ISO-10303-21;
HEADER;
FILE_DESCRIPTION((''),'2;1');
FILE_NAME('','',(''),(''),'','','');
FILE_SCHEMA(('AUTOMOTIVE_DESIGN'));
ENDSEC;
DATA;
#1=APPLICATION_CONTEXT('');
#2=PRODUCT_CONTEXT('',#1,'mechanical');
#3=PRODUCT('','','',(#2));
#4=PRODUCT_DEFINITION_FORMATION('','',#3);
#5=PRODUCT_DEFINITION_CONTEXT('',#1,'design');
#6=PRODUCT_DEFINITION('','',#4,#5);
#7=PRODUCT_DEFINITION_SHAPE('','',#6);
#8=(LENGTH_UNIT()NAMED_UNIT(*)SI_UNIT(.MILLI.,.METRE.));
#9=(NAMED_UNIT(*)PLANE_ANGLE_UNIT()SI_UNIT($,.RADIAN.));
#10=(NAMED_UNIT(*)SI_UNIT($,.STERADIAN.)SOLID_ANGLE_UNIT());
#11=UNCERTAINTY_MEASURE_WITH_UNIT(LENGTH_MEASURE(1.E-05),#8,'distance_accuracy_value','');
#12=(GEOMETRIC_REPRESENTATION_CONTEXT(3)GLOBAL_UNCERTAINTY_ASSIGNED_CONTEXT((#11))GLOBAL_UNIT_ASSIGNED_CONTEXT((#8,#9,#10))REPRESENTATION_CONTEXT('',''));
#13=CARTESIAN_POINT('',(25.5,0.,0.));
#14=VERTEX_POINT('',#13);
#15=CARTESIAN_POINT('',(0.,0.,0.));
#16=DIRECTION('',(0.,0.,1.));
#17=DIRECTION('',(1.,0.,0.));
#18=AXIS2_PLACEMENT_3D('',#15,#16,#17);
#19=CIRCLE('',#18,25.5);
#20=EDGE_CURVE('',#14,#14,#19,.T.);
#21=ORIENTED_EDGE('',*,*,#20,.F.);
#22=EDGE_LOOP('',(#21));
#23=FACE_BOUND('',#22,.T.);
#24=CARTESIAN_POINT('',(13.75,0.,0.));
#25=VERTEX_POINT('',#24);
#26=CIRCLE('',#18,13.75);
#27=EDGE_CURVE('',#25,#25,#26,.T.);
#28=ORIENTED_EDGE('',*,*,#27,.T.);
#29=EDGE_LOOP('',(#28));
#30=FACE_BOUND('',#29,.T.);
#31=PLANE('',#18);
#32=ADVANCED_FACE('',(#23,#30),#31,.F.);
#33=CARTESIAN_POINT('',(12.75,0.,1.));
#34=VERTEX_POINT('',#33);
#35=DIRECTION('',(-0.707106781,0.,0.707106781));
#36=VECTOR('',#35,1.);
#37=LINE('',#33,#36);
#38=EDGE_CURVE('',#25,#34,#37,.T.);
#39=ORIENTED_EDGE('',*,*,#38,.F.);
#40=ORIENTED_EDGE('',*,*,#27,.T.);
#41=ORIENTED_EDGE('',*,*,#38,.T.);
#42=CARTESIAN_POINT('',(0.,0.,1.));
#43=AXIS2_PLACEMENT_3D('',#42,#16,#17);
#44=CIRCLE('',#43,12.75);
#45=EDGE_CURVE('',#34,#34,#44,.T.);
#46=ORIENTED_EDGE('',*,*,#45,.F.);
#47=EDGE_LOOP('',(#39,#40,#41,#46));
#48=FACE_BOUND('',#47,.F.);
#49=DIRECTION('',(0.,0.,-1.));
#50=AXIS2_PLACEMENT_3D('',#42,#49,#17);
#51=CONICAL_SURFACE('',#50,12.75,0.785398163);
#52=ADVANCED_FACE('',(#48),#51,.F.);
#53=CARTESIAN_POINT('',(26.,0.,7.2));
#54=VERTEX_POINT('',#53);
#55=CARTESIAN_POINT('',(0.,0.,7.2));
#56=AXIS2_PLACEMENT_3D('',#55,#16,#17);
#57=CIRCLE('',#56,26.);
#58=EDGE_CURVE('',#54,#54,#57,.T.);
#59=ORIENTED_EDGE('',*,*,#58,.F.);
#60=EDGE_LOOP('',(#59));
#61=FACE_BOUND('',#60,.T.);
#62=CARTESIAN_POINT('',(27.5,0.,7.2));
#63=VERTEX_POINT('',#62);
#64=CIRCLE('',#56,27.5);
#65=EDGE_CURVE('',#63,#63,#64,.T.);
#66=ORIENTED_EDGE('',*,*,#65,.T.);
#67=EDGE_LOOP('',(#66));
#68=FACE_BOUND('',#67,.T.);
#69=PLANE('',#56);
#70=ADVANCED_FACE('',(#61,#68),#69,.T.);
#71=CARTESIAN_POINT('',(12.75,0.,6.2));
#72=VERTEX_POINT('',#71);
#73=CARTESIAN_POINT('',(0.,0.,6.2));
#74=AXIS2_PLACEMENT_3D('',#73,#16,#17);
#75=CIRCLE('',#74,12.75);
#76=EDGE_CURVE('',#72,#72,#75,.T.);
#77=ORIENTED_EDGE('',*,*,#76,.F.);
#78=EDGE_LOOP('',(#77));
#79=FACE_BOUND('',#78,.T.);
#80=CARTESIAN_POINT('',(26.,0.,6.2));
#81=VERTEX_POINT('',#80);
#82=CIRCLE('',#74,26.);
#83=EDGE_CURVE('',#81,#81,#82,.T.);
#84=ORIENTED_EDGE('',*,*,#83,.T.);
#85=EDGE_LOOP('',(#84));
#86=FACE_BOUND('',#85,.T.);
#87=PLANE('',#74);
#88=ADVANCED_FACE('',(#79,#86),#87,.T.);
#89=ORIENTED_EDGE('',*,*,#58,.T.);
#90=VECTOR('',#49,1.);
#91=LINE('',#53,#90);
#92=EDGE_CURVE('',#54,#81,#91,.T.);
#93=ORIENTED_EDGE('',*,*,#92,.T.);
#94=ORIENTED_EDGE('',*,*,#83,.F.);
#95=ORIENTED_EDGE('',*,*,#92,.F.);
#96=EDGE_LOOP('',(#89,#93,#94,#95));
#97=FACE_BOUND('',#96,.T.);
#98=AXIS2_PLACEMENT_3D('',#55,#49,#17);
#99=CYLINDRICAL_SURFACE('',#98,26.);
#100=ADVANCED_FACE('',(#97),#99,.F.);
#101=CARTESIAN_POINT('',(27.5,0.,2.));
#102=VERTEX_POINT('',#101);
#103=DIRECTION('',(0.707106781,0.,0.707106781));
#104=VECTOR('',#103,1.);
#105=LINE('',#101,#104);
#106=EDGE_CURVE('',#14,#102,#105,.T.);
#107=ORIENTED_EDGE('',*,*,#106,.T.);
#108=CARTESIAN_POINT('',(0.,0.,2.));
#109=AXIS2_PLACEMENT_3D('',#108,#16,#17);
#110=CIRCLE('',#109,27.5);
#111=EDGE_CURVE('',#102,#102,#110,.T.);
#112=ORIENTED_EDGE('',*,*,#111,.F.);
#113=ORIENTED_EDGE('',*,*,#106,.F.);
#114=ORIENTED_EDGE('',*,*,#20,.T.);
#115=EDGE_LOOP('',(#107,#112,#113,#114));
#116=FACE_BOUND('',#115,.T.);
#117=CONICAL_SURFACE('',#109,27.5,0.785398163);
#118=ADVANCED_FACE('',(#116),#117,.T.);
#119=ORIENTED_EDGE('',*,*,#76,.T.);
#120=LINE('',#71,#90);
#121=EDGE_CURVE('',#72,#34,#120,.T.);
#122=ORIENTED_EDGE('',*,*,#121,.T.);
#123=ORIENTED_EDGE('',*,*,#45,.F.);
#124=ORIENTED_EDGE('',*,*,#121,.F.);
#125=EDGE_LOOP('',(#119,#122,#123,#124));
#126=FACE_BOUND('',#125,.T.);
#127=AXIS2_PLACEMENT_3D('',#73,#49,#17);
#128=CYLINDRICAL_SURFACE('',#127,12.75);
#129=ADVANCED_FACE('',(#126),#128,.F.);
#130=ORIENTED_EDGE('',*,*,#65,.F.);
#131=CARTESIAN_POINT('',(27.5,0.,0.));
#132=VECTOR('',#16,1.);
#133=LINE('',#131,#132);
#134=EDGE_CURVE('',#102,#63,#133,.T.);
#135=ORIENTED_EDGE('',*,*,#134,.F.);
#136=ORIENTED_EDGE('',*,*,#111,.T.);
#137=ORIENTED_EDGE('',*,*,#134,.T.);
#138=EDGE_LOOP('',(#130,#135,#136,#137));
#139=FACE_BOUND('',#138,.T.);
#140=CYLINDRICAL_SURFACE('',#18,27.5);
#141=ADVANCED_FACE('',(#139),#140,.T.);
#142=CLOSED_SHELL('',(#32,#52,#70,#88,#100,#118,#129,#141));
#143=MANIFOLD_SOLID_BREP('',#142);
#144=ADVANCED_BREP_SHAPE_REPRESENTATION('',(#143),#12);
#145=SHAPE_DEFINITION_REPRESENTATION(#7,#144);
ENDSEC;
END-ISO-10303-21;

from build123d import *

# Parameters (mm, degrees)
F2_SIZE = 2
F3_SIZE = 1


with BuildPart() as f1:
    # F0 (on Front) → F1 (revolve)
    with BuildSketch(Plane.XZ):
        Polygon((12.75, 6.2), (12.75, 0), (27.5, 0), (27.5, 7.2), (26, 7.2), (26, 6.2), align=None)
    revolve(axis=Axis((0, 0, 15.391572), (0, 0, 1)))

    # F2
    f2_edges = [f1.edges().sort_by_distance(p)[0] for p in [
        (-27.5, 0, 0),
    ]]
    chamfer(f2_edges, length=F2_SIZE)

    # F3
    f3_edges = [f1.edges().sort_by_distance(p)[0] for p in [
        (-12.75, 0, 0),
    ]]
    chamfer(f3_edges, length=F3_SIZE)


solid = f1.part
